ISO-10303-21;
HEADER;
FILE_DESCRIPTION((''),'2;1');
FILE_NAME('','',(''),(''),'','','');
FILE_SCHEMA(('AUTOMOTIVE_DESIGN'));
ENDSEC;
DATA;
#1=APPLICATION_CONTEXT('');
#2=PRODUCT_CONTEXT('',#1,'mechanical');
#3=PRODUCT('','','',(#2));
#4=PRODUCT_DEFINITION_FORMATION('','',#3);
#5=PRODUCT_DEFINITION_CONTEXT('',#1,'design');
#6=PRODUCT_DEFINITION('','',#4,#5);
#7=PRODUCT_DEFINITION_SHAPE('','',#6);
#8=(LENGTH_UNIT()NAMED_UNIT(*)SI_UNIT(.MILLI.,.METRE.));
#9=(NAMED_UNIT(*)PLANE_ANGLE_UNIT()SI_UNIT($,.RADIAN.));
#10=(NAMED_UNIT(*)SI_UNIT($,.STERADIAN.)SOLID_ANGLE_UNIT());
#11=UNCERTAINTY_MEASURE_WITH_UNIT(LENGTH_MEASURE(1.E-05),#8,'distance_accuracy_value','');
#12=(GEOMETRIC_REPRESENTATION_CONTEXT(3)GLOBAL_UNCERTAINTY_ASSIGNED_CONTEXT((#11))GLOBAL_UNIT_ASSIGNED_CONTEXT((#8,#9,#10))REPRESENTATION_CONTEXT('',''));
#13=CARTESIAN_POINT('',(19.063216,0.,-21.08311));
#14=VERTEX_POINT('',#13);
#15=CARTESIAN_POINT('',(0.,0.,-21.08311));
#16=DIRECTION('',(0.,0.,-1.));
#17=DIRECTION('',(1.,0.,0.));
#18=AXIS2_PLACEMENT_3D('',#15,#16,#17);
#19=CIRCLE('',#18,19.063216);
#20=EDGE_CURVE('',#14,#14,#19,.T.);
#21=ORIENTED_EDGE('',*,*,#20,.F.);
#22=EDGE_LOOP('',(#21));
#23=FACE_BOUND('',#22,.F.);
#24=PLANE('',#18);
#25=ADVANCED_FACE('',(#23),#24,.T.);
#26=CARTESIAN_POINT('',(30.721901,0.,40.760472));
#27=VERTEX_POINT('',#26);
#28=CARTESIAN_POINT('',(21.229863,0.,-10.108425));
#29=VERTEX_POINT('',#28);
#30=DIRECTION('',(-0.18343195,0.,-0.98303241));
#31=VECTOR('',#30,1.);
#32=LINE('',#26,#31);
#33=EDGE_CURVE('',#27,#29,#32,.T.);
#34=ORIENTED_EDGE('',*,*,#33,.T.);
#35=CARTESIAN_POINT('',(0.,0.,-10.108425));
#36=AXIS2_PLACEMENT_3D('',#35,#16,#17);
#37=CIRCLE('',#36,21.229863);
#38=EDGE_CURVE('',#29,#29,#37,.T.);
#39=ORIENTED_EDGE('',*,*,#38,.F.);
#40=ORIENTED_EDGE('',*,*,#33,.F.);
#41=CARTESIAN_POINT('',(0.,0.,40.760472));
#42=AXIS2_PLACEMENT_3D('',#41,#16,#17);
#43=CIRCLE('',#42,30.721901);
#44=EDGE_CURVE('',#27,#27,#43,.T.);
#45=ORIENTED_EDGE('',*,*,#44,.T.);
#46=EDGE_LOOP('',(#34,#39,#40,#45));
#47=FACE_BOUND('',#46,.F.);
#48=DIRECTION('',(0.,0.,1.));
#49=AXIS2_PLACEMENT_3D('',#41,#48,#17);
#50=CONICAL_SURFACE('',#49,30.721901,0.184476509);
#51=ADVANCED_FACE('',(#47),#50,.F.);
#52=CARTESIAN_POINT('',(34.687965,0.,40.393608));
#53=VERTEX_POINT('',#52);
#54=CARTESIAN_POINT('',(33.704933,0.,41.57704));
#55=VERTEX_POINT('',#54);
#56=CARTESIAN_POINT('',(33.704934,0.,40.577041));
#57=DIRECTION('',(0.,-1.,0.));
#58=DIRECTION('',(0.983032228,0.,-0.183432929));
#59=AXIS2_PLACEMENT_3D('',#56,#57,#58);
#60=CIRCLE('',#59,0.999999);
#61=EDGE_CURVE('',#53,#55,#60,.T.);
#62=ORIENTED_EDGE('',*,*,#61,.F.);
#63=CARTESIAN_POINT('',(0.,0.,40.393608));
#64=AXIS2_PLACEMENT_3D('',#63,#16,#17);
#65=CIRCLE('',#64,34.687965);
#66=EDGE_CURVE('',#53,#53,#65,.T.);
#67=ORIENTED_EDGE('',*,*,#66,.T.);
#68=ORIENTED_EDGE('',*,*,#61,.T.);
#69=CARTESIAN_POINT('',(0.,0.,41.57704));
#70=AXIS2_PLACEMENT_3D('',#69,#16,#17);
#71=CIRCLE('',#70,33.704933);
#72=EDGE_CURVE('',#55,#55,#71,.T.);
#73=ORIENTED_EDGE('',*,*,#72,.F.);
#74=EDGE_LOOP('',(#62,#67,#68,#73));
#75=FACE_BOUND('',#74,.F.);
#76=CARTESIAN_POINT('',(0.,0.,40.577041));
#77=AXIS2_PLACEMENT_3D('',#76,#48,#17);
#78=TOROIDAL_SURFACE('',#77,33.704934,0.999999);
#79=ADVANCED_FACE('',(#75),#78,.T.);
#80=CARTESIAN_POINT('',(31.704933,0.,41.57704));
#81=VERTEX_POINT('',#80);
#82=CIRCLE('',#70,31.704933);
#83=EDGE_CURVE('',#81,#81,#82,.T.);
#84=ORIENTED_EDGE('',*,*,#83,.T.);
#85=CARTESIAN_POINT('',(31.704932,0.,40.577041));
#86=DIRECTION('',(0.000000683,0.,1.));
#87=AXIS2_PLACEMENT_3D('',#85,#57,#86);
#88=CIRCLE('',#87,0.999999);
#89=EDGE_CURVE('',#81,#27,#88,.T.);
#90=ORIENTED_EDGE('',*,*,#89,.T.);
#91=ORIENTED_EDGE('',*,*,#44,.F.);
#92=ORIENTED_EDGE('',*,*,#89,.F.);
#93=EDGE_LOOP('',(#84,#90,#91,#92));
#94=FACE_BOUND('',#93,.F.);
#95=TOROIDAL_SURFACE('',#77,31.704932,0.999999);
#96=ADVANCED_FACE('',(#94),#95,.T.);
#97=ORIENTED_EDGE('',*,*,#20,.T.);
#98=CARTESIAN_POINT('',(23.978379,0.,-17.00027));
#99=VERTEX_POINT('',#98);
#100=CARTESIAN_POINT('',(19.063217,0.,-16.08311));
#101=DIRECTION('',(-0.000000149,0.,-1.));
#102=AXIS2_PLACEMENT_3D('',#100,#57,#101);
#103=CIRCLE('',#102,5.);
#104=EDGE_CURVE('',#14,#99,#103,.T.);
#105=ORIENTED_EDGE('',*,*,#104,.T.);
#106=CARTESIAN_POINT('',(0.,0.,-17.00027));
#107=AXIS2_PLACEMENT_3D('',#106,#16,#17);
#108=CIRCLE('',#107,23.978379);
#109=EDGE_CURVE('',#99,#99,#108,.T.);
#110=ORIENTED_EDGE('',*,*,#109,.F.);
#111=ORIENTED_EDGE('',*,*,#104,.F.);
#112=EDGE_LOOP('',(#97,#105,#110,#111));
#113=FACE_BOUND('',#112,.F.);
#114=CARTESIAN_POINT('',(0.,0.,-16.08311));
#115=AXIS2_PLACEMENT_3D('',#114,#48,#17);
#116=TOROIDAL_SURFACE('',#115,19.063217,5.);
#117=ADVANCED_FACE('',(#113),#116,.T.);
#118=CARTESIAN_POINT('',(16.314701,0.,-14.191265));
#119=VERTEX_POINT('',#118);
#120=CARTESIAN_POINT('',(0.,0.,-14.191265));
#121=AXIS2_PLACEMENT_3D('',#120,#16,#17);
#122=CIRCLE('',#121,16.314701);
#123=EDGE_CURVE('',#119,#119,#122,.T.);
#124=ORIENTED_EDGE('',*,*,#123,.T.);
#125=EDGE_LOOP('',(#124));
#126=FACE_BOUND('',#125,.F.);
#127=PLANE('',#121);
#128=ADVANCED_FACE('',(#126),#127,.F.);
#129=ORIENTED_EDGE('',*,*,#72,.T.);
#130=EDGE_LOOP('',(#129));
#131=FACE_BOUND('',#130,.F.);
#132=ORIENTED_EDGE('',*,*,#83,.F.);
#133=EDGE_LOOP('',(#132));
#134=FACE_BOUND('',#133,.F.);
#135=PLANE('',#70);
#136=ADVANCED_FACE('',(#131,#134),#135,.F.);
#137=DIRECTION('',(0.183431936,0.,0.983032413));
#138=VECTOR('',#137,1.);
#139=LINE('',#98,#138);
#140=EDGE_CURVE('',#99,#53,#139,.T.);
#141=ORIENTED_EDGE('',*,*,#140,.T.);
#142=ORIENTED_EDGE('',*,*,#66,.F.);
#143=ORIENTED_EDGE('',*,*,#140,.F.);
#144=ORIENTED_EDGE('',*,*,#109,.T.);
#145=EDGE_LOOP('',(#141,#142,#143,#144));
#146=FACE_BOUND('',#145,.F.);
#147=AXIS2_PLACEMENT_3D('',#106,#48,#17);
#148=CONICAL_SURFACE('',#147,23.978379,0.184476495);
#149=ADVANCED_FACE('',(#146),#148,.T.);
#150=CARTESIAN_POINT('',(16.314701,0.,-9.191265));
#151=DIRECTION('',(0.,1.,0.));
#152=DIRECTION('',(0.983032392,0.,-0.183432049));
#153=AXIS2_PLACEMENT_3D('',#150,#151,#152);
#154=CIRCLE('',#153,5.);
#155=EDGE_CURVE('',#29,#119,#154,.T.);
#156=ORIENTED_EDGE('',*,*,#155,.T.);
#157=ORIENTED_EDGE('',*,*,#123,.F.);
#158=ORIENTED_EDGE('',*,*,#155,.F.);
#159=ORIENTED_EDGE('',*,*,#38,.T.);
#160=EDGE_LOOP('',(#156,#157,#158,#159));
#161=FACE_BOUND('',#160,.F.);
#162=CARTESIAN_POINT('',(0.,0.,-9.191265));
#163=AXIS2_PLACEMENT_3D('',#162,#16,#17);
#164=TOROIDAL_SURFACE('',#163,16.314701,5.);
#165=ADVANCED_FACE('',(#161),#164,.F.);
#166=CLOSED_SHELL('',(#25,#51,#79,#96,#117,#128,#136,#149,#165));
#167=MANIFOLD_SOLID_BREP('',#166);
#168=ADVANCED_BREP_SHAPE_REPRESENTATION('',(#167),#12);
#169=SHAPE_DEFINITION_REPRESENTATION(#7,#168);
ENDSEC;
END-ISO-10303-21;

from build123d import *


with BuildPart() as f1:
    # F0 (on Front) → F1 (revolve)
    with BuildSketch(Plane.XZ):
        with BuildLine():
            Line((0, -14.191265), (0, -21.08311))
            Line((0, -21.08311), (19.063216, -21.08311))
            ThreePointArc((19.063216, -21.08311), (22.258072, -19.929264), (23.978379, -17.00027))
            Line((23.978379, -17.00027), (34.687965, 40.393608))
            ThreePointArc((34.687965, 40.393608), (34.474164, 41.216011), (33.704933, 41.57704))
            Line((33.704933, 41.57704), (31.704933, 41.57704))
            ThreePointArc((31.704933, 41.57704), (31.065962, 41.346271), (30.721901, 40.760472))
            Line((30.721901, 40.760472), (21.229863, -10.108425))
            ThreePointArc((21.229863, -10.108425), (19.509556, -13.037419), (16.314701, -14.191265))
            Line((16.314701, -14.191265), (0, -14.191265))
        make_face()
    revolve(axis=Axis((0, 0, -17.637188), (0, 0, -1)))


solid = f1.part
